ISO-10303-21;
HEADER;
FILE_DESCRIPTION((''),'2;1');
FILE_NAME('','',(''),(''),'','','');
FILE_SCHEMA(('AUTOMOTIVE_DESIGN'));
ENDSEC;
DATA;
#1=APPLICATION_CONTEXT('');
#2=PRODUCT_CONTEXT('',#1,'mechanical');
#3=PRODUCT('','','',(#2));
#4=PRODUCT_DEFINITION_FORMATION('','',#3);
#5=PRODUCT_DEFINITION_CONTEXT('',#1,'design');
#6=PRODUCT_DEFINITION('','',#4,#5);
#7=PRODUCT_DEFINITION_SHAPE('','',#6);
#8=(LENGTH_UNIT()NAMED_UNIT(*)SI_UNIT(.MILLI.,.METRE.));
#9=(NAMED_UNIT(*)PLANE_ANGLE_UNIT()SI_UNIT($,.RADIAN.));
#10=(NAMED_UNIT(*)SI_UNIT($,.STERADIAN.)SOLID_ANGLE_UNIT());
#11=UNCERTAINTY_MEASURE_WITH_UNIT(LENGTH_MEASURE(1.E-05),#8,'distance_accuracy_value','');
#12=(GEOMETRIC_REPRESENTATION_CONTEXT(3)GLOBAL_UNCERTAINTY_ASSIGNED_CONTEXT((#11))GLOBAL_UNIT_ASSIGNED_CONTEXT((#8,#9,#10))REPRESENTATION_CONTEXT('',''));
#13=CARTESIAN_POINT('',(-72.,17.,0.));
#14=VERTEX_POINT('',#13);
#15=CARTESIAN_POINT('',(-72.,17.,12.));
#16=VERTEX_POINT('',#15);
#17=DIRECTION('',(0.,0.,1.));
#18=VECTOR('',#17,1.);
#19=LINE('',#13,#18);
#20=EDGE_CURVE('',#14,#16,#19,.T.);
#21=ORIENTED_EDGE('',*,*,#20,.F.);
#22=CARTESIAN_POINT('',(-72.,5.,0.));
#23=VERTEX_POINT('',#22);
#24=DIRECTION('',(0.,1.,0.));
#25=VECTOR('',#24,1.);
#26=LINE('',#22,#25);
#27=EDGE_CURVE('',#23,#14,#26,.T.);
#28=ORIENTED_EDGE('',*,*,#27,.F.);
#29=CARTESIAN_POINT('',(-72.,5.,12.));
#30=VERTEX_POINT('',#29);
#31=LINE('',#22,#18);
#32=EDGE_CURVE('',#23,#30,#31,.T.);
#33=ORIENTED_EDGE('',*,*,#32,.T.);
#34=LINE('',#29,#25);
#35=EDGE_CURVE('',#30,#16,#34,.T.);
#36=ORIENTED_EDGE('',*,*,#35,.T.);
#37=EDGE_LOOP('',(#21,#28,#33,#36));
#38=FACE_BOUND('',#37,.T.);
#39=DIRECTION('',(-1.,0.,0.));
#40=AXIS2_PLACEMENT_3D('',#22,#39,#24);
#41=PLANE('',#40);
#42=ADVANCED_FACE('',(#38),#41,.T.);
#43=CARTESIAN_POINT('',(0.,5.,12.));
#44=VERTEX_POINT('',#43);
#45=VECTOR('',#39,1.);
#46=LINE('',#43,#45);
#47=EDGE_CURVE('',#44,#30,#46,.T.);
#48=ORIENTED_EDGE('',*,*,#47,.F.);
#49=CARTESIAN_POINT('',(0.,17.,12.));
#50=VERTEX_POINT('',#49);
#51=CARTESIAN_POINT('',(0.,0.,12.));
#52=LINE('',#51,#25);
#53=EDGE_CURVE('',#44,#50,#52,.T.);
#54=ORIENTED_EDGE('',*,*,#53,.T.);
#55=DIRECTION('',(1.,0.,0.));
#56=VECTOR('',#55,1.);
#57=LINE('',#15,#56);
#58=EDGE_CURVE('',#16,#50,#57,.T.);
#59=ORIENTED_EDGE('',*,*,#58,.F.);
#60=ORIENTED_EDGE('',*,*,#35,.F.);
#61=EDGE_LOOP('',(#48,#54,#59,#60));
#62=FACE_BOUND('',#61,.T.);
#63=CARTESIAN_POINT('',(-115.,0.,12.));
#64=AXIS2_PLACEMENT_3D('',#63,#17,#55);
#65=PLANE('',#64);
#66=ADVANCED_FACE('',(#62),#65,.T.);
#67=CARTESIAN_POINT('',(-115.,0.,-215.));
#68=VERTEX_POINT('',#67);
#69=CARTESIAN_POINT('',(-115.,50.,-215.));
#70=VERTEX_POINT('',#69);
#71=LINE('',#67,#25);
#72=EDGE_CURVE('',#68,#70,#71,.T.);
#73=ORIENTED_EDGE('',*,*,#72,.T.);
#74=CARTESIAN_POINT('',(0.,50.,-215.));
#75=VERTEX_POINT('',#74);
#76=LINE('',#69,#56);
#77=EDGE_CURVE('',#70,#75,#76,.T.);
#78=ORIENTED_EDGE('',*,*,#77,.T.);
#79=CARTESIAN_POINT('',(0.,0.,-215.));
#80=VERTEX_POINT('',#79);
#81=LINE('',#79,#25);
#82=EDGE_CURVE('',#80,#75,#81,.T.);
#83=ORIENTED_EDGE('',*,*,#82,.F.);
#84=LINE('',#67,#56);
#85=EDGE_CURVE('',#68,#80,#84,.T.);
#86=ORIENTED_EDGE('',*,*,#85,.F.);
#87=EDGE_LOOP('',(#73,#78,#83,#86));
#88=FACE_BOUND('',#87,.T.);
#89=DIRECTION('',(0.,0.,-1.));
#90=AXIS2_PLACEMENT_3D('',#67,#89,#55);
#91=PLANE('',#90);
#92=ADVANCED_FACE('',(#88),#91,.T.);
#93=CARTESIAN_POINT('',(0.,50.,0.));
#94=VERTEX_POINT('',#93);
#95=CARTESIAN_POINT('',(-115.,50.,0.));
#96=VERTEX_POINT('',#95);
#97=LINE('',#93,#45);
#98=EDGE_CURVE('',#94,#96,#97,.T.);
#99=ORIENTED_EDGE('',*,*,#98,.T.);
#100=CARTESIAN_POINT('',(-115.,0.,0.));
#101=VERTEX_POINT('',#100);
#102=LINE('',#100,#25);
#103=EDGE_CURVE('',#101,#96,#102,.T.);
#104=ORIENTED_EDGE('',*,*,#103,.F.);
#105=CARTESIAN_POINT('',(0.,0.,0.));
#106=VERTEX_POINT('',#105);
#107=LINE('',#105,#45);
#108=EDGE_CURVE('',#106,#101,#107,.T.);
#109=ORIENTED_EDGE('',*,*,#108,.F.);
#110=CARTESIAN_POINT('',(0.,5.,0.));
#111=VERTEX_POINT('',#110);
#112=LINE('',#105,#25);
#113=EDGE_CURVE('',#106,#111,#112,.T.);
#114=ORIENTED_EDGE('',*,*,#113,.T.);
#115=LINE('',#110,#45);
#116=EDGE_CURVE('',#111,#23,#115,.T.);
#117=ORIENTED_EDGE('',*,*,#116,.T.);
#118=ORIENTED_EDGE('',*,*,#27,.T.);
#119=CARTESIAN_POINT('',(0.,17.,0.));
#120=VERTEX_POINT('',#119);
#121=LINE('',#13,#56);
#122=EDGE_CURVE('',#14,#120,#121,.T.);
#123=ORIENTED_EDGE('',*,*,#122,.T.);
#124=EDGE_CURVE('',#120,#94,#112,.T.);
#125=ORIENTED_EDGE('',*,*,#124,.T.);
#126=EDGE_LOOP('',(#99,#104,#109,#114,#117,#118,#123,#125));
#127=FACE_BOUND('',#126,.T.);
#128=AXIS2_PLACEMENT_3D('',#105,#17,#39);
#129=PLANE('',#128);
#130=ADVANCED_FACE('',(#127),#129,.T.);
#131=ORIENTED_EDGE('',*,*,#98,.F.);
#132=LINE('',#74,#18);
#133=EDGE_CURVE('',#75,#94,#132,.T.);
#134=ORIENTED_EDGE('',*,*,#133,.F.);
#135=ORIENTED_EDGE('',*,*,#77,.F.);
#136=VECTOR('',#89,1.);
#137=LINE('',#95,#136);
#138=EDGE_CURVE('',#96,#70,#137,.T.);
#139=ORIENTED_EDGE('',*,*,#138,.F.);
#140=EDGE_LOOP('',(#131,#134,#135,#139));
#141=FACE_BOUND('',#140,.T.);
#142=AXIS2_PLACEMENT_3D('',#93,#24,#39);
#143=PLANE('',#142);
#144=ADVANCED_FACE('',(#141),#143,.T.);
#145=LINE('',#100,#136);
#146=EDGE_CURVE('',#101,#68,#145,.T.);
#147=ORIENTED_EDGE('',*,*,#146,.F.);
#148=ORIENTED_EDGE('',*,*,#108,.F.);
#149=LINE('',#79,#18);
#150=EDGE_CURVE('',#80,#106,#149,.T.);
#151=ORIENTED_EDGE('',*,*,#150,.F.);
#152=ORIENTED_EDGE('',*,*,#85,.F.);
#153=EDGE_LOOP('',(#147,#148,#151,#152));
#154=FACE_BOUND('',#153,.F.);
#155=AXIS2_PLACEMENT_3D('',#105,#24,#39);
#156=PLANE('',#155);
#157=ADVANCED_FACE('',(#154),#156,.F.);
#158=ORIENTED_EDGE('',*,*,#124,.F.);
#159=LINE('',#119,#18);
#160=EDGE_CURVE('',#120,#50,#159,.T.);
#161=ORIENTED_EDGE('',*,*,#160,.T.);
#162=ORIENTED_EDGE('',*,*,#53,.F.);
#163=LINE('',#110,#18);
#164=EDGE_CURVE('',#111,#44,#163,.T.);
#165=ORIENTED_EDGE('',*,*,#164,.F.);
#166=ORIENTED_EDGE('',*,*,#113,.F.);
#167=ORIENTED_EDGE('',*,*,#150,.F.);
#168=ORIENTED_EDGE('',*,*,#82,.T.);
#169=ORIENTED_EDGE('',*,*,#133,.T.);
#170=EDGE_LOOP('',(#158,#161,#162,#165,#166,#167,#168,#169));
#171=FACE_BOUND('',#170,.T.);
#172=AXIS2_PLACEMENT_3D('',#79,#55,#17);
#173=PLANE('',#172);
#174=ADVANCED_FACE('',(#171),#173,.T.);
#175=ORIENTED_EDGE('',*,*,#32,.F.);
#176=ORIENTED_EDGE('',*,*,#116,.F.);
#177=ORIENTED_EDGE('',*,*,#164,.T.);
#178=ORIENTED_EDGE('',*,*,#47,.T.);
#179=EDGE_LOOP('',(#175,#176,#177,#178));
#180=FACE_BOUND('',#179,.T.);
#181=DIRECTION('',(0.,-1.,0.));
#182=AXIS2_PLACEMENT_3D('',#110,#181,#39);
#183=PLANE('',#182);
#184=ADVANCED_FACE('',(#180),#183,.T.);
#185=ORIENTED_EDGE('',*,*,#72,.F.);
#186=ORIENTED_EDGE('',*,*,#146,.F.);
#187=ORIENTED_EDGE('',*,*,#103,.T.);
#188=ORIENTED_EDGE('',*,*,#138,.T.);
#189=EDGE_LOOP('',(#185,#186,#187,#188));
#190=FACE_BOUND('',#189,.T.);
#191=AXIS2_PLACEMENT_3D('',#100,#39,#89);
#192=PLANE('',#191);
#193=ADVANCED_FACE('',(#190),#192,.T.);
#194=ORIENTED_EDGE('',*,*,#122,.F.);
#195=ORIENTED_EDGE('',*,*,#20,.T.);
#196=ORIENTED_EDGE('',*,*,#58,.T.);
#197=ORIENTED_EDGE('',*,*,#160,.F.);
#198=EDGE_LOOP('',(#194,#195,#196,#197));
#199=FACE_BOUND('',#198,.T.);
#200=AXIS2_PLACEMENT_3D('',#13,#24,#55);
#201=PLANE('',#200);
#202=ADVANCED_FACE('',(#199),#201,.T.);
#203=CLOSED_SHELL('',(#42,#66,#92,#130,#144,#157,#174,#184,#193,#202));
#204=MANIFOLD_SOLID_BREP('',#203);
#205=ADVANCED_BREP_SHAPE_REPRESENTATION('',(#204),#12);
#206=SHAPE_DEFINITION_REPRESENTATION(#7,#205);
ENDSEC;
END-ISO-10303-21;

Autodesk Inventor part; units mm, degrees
ref_plane "YZ Plane" through (0, 0, 0) normal (1, 0, 0) x (0, 1, 0)
ref_plane "XZ Plane" through (0, 0, 0) normal (0, 1, 0) x (-1, 0, 0)
ref_plane "XY Plane" through (0, 0, 0) normal (0, 0, 1) x (1, 0, 0)
sketch "Sketch1" plane through (0, 0, 0) normal (0, 1, 0) x (-1, 0, 0)
  line L0 (0, 0) -> (115, 0)
  line L1 (115, 0) -> (115, -215)
  line L2 (115, -215) -> (0, -215)
  line L3 (0, -215) -> (0, 0)
  dimension "d0" = 115
  dimension "d1" = 215
extrude "Extrusion1" add sketch "Sketch1" along normal blind 50
sketch "Sketch2" plane through (-115, 0, 0) normal (0, 0, 1) x (1, 0, 0)
  line L0 (115, 0) -> (115, 5)
  line L1 (115, 0) -> (115, 50) projected
  line L2 (115, 5) -> (43, 5)
  line L3 (43, 5) -> (43, 17)
  line L4 (43, 17) -> (115, 17)
  line L5 (115, 17) -> (115, 5)
  dimension "d4" = 5
  dimension "d5" = 72
  dimension "d6" = 12
extrude "Extrusion2" add sketch "Sketch2" along normal blind 12
properties part number "S-201-24"
